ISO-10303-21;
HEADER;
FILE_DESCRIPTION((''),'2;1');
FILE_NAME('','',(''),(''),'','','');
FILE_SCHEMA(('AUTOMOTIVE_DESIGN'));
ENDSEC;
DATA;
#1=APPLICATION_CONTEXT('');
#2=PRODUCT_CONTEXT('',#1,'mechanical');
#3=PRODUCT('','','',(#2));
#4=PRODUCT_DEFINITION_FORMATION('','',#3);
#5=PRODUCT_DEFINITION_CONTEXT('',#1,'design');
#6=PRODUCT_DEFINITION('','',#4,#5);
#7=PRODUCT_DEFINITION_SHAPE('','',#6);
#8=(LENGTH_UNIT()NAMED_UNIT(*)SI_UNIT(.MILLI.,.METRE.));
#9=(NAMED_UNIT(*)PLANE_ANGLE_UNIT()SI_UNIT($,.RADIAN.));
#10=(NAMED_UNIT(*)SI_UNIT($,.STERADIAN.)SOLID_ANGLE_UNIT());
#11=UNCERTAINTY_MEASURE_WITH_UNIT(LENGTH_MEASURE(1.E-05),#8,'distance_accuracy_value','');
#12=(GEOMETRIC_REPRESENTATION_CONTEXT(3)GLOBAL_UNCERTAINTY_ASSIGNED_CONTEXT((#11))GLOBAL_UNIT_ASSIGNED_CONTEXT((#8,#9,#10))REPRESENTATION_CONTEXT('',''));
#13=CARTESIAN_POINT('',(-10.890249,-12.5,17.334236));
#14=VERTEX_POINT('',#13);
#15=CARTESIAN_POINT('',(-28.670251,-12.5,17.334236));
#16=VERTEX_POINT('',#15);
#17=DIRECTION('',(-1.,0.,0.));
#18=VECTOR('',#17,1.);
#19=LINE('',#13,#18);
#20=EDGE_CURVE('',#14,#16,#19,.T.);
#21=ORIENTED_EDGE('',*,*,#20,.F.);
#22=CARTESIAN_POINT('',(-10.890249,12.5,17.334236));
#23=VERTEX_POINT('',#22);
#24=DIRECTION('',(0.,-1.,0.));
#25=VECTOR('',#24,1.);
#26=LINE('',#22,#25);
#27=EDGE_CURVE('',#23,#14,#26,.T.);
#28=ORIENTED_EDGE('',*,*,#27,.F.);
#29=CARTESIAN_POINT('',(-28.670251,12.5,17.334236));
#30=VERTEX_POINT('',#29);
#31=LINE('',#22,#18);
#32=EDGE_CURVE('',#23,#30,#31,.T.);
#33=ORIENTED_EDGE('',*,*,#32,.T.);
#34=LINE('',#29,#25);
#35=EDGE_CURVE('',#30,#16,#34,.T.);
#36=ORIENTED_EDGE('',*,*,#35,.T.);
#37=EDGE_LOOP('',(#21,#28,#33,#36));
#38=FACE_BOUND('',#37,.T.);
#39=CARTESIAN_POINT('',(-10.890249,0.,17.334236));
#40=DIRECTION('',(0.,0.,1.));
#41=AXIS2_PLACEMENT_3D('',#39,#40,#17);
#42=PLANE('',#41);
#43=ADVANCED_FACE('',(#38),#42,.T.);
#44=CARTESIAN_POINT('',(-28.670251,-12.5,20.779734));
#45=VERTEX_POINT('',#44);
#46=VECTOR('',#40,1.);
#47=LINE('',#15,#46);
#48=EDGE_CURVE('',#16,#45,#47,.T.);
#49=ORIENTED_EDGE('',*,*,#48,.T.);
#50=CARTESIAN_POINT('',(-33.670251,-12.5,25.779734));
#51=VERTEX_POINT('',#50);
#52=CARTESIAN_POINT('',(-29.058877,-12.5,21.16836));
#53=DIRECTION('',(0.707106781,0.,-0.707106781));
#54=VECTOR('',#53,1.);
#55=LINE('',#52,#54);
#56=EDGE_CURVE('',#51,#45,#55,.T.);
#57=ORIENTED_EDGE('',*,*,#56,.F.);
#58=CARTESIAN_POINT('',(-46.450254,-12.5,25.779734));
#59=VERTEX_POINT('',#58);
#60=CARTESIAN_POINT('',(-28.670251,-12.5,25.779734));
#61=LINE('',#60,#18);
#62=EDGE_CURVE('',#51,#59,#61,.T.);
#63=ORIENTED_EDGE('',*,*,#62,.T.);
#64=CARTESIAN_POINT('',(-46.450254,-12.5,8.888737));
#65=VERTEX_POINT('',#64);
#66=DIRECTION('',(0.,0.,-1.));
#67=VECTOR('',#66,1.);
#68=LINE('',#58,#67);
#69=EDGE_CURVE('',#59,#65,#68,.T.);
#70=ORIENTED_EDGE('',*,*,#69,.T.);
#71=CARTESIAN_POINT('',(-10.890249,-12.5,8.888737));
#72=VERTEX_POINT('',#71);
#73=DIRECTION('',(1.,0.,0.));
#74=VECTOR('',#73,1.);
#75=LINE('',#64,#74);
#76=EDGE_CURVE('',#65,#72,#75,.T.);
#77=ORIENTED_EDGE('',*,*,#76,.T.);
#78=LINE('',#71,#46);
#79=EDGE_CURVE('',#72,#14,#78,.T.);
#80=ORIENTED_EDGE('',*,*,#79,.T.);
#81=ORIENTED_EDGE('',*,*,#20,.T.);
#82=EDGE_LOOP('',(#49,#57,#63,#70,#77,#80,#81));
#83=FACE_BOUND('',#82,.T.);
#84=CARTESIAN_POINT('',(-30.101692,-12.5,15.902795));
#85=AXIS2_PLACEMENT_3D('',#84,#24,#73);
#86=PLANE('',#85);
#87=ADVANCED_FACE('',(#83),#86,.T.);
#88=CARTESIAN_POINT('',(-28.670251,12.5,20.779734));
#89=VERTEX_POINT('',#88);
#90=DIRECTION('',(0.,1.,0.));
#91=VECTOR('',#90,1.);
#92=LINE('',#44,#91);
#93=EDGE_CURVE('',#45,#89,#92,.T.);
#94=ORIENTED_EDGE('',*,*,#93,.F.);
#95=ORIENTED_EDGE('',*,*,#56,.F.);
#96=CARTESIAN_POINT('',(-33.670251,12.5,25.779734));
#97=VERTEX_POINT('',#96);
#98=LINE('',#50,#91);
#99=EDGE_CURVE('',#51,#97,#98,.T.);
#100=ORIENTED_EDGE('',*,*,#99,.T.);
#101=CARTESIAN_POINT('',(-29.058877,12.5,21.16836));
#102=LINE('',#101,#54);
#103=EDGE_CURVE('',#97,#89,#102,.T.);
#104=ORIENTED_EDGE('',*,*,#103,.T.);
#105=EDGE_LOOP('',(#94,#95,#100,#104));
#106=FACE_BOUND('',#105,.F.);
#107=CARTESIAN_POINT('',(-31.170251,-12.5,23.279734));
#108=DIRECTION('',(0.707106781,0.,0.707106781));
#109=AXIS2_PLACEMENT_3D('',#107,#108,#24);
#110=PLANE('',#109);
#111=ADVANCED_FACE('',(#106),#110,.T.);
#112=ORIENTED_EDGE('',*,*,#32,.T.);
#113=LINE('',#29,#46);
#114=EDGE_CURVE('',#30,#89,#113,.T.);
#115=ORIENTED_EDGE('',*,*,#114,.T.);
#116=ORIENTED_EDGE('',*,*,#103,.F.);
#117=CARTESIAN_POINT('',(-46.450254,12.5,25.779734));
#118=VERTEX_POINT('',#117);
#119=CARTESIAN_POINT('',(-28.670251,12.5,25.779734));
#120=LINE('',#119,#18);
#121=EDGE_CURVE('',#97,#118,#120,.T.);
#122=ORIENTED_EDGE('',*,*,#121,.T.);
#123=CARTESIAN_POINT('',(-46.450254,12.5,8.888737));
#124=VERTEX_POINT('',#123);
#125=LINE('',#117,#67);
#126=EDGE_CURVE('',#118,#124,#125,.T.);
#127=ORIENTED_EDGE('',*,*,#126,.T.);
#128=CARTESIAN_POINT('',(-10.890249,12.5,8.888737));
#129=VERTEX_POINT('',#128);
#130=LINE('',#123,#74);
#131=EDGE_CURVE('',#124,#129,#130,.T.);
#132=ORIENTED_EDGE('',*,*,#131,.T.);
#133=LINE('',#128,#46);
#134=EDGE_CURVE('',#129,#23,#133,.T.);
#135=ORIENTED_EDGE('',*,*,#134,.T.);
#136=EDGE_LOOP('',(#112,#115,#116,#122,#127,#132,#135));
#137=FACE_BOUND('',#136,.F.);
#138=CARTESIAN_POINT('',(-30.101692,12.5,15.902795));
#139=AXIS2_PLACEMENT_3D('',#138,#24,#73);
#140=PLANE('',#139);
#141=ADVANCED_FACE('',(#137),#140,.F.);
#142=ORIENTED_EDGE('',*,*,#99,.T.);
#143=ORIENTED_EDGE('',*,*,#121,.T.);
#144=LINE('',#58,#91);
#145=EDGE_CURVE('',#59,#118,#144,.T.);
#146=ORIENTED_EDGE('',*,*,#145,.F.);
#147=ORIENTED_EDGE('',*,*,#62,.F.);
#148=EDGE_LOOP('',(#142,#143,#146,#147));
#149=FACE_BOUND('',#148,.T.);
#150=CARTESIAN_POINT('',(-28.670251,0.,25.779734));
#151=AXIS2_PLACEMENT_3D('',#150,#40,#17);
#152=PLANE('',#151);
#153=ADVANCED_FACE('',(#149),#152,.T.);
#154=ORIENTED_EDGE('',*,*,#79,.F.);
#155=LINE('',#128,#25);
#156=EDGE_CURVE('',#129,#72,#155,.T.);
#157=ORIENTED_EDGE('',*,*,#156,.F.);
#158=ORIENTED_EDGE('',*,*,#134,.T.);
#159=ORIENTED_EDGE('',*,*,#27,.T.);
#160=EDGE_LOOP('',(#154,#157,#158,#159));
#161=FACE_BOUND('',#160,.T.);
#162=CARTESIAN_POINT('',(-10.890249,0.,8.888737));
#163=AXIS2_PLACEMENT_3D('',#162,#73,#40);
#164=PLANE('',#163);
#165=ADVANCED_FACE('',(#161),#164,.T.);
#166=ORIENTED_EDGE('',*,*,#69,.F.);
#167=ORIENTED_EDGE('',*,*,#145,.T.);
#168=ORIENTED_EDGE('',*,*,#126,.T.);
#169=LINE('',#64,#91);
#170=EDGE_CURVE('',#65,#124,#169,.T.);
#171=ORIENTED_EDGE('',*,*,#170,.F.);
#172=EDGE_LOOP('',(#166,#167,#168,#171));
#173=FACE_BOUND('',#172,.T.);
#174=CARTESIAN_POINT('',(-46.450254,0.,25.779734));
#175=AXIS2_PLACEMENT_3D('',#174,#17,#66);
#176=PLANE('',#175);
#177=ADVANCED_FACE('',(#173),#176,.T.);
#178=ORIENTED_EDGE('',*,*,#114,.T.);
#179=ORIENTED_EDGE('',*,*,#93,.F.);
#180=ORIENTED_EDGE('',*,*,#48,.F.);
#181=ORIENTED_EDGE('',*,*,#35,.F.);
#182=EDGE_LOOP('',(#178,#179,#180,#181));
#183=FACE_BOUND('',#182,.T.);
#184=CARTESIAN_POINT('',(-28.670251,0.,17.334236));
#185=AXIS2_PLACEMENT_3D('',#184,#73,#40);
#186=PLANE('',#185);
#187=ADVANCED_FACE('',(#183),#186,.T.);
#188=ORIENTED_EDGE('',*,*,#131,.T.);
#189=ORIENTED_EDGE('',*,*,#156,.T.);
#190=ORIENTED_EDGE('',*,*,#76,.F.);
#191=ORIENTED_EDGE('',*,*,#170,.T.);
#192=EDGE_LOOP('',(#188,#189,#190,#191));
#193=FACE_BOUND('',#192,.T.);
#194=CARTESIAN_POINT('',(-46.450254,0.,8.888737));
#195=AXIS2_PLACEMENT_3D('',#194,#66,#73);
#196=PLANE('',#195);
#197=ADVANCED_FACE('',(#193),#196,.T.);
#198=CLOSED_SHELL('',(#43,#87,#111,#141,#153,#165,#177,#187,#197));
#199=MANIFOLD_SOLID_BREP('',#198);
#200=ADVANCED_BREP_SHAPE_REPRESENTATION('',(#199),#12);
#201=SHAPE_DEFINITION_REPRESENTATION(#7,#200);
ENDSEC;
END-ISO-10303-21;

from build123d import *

# Parameters (mm, degrees)
F1_DEPTH = 12.5
F2_SIZE  = 5


with BuildPart() as f1:
    # F0 (on Front) → F1 (new body, symmetric)
    with BuildSketch(Plane.XZ):
        Polygon((-46.450254, 8.888737), (-10.890249, 8.888737), (-10.890249, 17.334236), (-28.670251, 17.334236), (-28.670251, 25.779734), (-46.450254, 25.779734), align=None)
    extrude(amount=F1_DEPTH, both=True)

    # F2
    f2_edges = [f1.edges().sort_by_distance(p)[0] for p in [
        (-28.670251, 0, 25.779734),
    ]]
    chamfer(f2_edges, length=F2_SIZE)


solid = f1.part
